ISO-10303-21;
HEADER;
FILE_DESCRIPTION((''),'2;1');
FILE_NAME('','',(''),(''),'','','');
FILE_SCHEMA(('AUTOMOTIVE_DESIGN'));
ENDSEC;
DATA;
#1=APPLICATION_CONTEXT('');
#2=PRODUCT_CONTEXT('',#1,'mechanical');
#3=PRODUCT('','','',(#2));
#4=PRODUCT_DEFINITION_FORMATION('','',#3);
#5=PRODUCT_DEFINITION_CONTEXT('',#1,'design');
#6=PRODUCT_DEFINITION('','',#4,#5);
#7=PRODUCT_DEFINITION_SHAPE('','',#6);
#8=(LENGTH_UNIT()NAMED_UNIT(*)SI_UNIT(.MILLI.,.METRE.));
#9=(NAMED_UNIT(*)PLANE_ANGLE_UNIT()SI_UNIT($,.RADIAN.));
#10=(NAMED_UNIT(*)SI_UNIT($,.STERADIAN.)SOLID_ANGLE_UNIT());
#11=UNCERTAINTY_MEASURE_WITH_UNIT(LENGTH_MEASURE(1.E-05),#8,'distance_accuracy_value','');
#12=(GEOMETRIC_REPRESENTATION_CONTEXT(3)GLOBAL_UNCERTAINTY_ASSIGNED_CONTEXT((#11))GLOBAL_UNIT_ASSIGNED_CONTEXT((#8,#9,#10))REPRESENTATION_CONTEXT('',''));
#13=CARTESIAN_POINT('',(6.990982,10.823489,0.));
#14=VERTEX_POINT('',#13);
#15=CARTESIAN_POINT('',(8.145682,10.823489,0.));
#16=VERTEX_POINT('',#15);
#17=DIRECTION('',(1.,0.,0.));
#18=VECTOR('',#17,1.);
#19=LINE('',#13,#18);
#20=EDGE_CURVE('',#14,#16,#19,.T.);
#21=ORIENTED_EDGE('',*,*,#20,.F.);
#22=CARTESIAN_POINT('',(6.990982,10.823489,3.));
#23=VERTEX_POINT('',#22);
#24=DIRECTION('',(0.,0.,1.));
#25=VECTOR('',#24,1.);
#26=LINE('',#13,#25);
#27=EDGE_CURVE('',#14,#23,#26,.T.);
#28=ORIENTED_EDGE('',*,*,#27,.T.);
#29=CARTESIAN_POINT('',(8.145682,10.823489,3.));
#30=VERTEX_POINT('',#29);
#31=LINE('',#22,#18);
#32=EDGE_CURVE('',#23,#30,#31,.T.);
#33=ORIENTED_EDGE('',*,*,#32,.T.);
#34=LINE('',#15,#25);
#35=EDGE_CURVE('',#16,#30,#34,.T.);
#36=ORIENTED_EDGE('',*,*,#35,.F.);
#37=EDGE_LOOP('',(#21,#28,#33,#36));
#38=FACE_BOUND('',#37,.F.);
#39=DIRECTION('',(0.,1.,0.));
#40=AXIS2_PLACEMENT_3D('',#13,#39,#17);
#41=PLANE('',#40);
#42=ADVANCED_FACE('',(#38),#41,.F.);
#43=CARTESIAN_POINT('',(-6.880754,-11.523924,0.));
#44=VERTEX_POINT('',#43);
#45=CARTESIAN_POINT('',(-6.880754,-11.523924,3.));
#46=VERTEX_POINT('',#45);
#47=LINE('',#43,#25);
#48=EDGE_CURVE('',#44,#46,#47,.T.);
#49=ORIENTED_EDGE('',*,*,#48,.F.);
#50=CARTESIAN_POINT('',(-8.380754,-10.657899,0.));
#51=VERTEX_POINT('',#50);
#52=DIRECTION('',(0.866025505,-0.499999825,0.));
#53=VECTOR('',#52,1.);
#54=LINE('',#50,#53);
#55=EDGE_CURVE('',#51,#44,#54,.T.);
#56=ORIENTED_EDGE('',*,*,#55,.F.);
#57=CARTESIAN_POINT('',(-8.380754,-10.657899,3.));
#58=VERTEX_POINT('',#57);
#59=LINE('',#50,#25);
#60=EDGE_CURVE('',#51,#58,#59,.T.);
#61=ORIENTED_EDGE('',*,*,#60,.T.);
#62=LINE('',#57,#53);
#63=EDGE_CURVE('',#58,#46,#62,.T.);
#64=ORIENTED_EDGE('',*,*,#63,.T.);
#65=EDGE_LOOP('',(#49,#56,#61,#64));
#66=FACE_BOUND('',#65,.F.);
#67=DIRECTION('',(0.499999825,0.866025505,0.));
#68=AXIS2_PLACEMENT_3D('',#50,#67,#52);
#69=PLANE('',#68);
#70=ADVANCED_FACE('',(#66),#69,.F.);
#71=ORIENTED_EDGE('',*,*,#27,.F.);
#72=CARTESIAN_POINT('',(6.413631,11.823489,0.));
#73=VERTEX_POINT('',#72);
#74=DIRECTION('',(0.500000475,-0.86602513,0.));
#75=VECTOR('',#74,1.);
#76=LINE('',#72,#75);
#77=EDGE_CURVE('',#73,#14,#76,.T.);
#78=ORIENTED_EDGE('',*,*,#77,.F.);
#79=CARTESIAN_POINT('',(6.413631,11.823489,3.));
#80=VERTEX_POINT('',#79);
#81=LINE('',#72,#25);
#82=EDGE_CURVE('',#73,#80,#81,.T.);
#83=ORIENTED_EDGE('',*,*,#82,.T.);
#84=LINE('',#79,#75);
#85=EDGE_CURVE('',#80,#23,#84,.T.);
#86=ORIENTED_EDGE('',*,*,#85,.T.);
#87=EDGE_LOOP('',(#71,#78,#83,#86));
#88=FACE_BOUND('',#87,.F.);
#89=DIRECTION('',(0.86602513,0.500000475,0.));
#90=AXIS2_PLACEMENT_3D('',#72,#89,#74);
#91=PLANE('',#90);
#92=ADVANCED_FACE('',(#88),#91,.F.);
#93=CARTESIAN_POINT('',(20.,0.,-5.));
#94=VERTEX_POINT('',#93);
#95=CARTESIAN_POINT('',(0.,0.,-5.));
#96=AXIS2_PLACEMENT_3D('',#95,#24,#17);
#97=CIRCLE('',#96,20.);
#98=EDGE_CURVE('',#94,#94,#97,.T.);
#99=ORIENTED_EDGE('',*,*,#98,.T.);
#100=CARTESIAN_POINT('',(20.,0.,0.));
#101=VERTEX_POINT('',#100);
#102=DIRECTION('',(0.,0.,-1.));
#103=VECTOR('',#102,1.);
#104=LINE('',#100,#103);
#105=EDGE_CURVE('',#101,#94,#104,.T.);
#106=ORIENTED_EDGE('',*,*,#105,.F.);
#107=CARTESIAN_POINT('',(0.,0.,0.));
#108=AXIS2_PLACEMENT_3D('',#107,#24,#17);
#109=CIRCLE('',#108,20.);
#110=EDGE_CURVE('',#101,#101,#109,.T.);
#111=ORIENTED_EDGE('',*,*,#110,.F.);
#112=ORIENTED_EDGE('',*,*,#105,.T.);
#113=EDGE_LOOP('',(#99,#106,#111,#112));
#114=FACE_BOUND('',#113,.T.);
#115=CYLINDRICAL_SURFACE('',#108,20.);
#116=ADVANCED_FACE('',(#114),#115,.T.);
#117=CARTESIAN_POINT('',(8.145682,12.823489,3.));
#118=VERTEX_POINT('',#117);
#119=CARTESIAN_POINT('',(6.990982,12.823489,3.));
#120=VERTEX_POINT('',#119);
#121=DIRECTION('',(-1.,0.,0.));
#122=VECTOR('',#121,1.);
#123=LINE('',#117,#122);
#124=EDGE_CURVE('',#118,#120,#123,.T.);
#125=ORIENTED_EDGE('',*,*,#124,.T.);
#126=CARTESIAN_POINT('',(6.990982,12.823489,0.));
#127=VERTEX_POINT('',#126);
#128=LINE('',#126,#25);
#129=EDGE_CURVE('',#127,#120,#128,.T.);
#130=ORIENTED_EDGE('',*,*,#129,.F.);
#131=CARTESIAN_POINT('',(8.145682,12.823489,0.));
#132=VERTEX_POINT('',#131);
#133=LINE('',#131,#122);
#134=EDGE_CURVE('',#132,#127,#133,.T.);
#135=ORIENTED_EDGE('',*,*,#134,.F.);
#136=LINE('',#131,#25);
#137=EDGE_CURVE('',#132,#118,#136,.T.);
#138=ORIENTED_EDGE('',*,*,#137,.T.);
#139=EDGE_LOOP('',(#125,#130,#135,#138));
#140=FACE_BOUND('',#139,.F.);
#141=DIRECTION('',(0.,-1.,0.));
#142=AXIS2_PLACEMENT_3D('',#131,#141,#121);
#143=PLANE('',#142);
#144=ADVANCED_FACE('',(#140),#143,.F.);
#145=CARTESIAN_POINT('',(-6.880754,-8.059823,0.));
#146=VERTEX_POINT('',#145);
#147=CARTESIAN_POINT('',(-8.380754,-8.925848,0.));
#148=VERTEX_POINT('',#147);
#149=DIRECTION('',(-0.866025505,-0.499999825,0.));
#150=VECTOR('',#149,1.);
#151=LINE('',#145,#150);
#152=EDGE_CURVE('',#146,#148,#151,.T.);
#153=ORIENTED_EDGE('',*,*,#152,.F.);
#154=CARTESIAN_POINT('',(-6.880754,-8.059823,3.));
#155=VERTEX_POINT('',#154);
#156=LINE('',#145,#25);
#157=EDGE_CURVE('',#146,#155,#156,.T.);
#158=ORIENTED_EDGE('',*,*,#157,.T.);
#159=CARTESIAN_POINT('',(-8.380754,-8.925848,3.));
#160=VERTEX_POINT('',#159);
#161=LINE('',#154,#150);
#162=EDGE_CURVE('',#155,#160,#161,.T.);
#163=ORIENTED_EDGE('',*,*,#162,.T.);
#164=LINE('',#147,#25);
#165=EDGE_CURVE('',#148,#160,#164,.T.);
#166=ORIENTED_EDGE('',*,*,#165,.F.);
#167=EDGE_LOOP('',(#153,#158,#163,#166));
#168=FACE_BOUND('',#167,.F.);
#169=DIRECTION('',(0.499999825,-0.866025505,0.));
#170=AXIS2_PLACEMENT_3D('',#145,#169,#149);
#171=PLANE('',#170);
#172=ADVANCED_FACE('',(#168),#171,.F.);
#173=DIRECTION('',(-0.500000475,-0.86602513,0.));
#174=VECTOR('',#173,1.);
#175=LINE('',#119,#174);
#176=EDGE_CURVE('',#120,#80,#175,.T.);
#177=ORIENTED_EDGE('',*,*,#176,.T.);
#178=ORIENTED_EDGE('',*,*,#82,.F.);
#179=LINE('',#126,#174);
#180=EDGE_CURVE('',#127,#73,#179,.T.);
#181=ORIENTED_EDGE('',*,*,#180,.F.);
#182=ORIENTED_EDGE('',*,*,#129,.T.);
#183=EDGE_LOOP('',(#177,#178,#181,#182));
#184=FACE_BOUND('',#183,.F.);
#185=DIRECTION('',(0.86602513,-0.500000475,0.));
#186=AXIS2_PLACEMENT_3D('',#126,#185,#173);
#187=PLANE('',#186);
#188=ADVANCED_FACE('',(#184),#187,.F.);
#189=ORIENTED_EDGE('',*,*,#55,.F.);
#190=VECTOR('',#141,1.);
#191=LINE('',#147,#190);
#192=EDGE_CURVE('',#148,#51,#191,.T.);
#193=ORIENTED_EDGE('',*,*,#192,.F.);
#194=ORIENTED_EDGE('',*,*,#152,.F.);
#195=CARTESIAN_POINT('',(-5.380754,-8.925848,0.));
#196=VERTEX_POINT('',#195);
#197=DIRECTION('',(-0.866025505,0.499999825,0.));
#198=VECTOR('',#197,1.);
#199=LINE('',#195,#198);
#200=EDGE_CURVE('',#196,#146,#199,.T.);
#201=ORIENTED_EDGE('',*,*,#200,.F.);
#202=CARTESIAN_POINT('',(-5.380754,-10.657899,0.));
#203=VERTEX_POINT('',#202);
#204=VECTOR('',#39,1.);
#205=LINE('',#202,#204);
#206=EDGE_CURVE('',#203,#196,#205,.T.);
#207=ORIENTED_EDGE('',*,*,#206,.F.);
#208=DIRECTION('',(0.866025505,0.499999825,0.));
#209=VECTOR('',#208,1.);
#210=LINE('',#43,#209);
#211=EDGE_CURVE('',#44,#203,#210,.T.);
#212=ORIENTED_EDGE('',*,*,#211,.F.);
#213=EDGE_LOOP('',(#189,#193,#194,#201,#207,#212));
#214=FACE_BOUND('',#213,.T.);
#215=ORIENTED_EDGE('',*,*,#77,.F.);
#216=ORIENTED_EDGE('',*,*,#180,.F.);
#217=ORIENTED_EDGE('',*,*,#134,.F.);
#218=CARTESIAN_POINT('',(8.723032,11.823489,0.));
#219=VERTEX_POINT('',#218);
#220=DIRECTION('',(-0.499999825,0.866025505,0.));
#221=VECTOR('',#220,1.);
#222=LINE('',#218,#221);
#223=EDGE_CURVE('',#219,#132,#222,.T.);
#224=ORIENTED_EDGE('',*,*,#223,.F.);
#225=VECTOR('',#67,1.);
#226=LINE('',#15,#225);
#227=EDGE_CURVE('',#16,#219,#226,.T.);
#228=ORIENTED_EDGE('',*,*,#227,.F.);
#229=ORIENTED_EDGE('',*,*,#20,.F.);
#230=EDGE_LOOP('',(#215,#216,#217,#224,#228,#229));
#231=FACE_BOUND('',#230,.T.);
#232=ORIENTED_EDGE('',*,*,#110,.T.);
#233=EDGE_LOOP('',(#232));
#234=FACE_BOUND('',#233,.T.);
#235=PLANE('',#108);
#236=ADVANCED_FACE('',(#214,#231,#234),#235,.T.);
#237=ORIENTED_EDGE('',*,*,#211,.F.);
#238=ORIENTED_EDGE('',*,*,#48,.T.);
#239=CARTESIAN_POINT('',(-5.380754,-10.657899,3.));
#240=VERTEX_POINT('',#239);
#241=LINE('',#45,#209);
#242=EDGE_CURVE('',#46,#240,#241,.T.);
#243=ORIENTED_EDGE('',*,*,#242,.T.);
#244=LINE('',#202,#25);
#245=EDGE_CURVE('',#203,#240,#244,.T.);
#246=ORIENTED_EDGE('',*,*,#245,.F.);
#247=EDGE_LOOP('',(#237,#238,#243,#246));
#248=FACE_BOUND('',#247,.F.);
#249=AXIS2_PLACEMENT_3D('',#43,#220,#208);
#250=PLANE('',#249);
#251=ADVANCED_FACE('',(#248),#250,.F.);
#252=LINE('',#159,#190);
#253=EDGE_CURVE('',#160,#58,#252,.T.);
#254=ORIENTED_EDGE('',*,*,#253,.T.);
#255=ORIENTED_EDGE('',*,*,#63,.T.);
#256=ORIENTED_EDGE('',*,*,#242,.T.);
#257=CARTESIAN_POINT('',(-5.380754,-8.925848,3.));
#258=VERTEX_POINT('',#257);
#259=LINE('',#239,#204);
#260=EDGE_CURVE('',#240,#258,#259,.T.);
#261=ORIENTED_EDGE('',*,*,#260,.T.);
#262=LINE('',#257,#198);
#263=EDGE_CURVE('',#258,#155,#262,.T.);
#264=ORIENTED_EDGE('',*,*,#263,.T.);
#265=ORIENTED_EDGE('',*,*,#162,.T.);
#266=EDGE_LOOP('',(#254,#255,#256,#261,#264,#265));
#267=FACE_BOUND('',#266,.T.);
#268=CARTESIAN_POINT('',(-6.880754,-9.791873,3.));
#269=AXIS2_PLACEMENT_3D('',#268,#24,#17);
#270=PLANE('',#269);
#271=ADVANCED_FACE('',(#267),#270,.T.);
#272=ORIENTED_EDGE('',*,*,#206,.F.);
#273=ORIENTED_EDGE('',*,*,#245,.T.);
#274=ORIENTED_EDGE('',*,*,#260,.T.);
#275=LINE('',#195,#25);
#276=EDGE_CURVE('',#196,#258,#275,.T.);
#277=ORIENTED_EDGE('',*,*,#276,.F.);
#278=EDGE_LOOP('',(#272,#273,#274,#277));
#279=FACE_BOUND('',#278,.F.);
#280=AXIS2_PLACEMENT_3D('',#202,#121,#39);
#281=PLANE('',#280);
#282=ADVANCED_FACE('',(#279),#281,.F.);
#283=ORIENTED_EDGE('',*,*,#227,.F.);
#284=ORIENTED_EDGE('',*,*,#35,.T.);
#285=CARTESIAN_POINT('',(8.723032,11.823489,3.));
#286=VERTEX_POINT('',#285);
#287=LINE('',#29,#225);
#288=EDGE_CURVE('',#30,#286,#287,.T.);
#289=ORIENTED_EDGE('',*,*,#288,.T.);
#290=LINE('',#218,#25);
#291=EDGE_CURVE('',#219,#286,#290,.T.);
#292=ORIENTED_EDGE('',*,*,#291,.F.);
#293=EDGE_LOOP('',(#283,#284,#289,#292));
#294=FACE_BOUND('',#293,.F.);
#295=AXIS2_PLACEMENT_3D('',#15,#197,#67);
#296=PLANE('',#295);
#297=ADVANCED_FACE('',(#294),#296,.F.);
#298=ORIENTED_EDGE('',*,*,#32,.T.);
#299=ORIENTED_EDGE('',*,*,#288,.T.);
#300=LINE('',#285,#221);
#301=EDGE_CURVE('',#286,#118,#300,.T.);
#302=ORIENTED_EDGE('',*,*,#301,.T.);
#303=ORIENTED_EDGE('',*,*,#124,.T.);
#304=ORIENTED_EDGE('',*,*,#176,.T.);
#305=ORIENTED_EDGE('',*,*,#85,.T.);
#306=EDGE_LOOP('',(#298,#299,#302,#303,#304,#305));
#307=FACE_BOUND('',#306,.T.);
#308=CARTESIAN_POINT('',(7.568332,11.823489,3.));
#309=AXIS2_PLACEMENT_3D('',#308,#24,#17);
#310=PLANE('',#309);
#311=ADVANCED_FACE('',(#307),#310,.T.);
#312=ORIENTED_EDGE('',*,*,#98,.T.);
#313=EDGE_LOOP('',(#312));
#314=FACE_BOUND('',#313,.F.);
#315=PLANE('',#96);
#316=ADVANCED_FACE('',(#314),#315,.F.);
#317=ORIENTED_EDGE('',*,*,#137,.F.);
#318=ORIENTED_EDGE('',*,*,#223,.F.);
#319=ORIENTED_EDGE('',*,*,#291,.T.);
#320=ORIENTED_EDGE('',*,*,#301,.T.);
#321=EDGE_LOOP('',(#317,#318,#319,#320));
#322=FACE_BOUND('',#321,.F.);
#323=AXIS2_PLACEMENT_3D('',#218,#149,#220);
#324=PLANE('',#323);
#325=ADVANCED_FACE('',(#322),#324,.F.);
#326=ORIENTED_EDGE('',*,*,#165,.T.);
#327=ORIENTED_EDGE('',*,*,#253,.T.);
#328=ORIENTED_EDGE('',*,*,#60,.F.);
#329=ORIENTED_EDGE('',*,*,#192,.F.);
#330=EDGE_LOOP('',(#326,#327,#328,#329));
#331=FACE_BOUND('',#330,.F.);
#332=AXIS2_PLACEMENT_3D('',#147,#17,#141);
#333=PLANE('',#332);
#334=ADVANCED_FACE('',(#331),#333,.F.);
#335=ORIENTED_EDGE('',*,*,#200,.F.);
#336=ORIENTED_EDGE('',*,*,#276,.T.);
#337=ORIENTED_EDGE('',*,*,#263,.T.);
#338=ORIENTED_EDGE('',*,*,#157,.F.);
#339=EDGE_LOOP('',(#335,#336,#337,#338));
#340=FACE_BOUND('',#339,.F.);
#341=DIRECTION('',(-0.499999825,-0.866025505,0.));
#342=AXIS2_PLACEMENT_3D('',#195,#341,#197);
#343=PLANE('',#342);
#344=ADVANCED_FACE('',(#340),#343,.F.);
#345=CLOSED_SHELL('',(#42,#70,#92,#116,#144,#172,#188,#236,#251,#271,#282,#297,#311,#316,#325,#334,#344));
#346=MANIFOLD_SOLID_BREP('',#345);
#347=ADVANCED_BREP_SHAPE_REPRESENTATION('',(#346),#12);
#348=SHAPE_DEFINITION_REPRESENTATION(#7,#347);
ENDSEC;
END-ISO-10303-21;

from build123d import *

# Parameters (mm, degrees)
F0_R     = 20
F1_DEPTH = 5
F2_DEPTH = 3


with BuildPart() as f1:
    # F0 (on Top) → F1 (new body)
    with BuildSketch(Plane.XY):
        Circle(F0_R)
        Polygon((-8.380754, -8.925848), (-6.880754, -8.059823), (-5.380754, -8.925848), (-5.380754, -10.657899), (-6.880754, -11.523924), (-8.380754, -10.657899), align=None, mode=Mode.SUBTRACT)
        Polygon((8.723032, 11.823489), (8.145682, 10.823489), (6.990982, 10.823489), (6.413631, 11.823489), (6.990982, 12.823489), (8.145682, 12.823489), align=None, mode=Mode.SUBTRACT)
        Polygon((-5.380754, -8.925848), (-6.880754, -8.059823), (-8.380754, -8.925848), (-8.380754, -10.657899), (-6.880754, -11.523924), (-5.380754, -10.657899), align=None)
        Polygon((6.990982, 10.823489), (8.145682, 10.823489), (8.723032, 11.823489), (8.145682, 12.823489), (6.990982, 12.823489), (6.413631, 11.823489), align=None)
    extrude(amount=-F1_DEPTH)

    # F0 (on Top) → F2 (join)
    with BuildSketch(Plane.XY):
        Polygon((-5.380754, -8.925848), (-6.880754, -8.059823), (-8.380754, -8.925848), (-8.380754, -10.657899), (-6.880754, -11.523924), (-5.380754, -10.657899), align=None)
        Polygon((6.990982, 10.823489), (8.145682, 10.823489), (8.723032, 11.823489), (8.145682, 12.823489), (6.990982, 12.823489), (6.413631, 11.823489), align=None)
    extrude(amount=F2_DEPTH)


solid = f1.part
